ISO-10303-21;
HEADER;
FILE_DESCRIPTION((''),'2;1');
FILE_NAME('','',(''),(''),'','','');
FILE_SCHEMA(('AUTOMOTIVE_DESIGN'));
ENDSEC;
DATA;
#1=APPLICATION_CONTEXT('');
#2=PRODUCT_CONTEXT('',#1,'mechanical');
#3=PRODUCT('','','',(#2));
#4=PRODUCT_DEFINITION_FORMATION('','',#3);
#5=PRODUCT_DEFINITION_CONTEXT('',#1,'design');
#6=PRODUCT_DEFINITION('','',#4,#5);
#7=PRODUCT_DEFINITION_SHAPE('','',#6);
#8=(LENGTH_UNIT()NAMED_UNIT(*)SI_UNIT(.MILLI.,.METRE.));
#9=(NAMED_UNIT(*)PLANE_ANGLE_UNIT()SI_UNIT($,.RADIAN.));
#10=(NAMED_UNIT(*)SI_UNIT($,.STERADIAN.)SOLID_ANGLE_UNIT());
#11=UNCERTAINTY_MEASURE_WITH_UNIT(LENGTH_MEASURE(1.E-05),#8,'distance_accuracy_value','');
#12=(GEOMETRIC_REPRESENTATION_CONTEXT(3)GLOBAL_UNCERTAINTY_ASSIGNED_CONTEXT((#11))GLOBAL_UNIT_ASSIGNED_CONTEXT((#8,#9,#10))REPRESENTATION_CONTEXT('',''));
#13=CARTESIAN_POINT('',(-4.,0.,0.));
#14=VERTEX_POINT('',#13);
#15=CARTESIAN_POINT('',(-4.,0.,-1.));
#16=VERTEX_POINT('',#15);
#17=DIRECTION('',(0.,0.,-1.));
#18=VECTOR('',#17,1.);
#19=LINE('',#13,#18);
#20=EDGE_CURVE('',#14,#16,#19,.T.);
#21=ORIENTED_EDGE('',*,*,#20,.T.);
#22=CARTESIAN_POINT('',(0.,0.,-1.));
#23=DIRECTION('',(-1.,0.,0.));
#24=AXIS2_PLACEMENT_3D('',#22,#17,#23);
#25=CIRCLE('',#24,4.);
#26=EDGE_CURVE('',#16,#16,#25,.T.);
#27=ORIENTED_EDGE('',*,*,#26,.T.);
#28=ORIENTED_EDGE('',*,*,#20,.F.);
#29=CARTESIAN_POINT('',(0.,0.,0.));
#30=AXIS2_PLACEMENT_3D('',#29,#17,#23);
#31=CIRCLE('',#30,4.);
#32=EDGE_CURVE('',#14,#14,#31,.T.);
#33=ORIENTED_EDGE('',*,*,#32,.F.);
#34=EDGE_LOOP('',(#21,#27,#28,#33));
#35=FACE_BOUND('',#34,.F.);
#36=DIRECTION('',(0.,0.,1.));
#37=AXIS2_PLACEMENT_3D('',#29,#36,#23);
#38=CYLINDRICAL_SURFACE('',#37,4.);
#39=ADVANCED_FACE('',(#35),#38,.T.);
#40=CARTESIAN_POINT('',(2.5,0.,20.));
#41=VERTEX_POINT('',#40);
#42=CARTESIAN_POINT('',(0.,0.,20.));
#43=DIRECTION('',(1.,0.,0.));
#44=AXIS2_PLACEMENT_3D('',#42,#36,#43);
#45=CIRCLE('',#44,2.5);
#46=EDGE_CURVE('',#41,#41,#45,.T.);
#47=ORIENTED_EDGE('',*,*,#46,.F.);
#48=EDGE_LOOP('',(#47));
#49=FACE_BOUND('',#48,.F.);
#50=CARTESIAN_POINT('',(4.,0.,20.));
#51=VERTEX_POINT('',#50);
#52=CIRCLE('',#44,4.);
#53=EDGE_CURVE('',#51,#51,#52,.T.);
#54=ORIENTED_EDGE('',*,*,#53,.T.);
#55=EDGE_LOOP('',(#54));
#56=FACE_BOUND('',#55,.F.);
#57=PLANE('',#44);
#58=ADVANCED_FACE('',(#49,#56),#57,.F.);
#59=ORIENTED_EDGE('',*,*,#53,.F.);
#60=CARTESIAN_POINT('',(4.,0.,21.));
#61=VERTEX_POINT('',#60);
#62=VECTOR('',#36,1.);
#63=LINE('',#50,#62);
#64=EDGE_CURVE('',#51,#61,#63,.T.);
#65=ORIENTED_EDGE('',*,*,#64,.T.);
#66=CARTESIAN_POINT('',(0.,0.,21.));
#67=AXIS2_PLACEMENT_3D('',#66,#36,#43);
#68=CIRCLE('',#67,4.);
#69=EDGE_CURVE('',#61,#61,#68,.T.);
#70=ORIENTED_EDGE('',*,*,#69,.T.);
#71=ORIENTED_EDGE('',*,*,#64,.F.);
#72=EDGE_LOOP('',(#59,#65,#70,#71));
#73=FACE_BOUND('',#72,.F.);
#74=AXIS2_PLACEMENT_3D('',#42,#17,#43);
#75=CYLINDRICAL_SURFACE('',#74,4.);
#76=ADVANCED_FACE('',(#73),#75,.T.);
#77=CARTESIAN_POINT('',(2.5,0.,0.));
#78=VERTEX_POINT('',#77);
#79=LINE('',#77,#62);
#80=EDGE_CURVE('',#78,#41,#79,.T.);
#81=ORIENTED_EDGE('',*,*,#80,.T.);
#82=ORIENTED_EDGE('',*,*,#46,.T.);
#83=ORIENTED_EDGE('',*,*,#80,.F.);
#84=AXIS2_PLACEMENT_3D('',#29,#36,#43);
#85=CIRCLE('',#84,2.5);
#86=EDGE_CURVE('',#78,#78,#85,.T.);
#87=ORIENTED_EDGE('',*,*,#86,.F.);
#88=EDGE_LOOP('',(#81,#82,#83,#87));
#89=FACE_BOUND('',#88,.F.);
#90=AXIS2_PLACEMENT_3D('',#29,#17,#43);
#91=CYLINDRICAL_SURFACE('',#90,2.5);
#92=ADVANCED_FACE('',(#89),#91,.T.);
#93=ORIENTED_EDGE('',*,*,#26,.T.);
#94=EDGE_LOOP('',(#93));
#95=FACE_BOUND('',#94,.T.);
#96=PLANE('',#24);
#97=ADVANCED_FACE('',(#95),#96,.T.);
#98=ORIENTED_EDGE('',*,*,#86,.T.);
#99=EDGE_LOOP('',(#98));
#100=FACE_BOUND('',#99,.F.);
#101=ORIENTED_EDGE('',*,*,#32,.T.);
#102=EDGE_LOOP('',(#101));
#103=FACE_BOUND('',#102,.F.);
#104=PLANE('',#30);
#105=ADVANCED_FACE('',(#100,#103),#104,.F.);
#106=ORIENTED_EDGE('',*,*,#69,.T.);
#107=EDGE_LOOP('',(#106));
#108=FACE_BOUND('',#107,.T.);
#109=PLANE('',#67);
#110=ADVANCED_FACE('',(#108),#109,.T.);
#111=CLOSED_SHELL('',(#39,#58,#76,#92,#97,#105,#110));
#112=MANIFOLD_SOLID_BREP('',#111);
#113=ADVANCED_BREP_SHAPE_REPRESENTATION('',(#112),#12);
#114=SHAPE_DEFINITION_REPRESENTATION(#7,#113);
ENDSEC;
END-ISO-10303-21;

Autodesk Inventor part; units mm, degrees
ref_plane "YZ Plane" through (0, 0, 0) normal (1, 0, 0) x (0, 1, 0)
ref_plane "XZ Plane" through (0, 0, 0) normal (0, 1, 0) x (-1, 0, 0)
ref_plane "XY Plane" through (0, 0, 0) normal (0, 0, 1) x (1, 0, 0)
sketch "Boceto1" plane through (0, 0, 0) normal (0, 0, 1) x (1, 0, 0)
  circle A0 centre (0, 0) radius 2.5
  dimension "d0" = 5
extrude "Extrusión1" add sketch "Boceto1" along normal blind 20
sketch "Boceto2" plane through (0, 0, 20) normal (0, 0, 1) x (1, 0, 0)
  circle A0 centre (0, 0) radius 4
  dimension "d3" = 8
extrude "Extrusión2" add sketch "Boceto2" along normal blind 1
sketch "Boceto3" plane through (0, 0, 0) normal (0, 0, -1) x (-1, 0, 0)
  circle A0 centre (0, 0) radius 4
  dimension "d6" = 8
extrude "Extrusión3" add sketch "Boceto3" along normal blind 1
properties part number "PinCorto"
